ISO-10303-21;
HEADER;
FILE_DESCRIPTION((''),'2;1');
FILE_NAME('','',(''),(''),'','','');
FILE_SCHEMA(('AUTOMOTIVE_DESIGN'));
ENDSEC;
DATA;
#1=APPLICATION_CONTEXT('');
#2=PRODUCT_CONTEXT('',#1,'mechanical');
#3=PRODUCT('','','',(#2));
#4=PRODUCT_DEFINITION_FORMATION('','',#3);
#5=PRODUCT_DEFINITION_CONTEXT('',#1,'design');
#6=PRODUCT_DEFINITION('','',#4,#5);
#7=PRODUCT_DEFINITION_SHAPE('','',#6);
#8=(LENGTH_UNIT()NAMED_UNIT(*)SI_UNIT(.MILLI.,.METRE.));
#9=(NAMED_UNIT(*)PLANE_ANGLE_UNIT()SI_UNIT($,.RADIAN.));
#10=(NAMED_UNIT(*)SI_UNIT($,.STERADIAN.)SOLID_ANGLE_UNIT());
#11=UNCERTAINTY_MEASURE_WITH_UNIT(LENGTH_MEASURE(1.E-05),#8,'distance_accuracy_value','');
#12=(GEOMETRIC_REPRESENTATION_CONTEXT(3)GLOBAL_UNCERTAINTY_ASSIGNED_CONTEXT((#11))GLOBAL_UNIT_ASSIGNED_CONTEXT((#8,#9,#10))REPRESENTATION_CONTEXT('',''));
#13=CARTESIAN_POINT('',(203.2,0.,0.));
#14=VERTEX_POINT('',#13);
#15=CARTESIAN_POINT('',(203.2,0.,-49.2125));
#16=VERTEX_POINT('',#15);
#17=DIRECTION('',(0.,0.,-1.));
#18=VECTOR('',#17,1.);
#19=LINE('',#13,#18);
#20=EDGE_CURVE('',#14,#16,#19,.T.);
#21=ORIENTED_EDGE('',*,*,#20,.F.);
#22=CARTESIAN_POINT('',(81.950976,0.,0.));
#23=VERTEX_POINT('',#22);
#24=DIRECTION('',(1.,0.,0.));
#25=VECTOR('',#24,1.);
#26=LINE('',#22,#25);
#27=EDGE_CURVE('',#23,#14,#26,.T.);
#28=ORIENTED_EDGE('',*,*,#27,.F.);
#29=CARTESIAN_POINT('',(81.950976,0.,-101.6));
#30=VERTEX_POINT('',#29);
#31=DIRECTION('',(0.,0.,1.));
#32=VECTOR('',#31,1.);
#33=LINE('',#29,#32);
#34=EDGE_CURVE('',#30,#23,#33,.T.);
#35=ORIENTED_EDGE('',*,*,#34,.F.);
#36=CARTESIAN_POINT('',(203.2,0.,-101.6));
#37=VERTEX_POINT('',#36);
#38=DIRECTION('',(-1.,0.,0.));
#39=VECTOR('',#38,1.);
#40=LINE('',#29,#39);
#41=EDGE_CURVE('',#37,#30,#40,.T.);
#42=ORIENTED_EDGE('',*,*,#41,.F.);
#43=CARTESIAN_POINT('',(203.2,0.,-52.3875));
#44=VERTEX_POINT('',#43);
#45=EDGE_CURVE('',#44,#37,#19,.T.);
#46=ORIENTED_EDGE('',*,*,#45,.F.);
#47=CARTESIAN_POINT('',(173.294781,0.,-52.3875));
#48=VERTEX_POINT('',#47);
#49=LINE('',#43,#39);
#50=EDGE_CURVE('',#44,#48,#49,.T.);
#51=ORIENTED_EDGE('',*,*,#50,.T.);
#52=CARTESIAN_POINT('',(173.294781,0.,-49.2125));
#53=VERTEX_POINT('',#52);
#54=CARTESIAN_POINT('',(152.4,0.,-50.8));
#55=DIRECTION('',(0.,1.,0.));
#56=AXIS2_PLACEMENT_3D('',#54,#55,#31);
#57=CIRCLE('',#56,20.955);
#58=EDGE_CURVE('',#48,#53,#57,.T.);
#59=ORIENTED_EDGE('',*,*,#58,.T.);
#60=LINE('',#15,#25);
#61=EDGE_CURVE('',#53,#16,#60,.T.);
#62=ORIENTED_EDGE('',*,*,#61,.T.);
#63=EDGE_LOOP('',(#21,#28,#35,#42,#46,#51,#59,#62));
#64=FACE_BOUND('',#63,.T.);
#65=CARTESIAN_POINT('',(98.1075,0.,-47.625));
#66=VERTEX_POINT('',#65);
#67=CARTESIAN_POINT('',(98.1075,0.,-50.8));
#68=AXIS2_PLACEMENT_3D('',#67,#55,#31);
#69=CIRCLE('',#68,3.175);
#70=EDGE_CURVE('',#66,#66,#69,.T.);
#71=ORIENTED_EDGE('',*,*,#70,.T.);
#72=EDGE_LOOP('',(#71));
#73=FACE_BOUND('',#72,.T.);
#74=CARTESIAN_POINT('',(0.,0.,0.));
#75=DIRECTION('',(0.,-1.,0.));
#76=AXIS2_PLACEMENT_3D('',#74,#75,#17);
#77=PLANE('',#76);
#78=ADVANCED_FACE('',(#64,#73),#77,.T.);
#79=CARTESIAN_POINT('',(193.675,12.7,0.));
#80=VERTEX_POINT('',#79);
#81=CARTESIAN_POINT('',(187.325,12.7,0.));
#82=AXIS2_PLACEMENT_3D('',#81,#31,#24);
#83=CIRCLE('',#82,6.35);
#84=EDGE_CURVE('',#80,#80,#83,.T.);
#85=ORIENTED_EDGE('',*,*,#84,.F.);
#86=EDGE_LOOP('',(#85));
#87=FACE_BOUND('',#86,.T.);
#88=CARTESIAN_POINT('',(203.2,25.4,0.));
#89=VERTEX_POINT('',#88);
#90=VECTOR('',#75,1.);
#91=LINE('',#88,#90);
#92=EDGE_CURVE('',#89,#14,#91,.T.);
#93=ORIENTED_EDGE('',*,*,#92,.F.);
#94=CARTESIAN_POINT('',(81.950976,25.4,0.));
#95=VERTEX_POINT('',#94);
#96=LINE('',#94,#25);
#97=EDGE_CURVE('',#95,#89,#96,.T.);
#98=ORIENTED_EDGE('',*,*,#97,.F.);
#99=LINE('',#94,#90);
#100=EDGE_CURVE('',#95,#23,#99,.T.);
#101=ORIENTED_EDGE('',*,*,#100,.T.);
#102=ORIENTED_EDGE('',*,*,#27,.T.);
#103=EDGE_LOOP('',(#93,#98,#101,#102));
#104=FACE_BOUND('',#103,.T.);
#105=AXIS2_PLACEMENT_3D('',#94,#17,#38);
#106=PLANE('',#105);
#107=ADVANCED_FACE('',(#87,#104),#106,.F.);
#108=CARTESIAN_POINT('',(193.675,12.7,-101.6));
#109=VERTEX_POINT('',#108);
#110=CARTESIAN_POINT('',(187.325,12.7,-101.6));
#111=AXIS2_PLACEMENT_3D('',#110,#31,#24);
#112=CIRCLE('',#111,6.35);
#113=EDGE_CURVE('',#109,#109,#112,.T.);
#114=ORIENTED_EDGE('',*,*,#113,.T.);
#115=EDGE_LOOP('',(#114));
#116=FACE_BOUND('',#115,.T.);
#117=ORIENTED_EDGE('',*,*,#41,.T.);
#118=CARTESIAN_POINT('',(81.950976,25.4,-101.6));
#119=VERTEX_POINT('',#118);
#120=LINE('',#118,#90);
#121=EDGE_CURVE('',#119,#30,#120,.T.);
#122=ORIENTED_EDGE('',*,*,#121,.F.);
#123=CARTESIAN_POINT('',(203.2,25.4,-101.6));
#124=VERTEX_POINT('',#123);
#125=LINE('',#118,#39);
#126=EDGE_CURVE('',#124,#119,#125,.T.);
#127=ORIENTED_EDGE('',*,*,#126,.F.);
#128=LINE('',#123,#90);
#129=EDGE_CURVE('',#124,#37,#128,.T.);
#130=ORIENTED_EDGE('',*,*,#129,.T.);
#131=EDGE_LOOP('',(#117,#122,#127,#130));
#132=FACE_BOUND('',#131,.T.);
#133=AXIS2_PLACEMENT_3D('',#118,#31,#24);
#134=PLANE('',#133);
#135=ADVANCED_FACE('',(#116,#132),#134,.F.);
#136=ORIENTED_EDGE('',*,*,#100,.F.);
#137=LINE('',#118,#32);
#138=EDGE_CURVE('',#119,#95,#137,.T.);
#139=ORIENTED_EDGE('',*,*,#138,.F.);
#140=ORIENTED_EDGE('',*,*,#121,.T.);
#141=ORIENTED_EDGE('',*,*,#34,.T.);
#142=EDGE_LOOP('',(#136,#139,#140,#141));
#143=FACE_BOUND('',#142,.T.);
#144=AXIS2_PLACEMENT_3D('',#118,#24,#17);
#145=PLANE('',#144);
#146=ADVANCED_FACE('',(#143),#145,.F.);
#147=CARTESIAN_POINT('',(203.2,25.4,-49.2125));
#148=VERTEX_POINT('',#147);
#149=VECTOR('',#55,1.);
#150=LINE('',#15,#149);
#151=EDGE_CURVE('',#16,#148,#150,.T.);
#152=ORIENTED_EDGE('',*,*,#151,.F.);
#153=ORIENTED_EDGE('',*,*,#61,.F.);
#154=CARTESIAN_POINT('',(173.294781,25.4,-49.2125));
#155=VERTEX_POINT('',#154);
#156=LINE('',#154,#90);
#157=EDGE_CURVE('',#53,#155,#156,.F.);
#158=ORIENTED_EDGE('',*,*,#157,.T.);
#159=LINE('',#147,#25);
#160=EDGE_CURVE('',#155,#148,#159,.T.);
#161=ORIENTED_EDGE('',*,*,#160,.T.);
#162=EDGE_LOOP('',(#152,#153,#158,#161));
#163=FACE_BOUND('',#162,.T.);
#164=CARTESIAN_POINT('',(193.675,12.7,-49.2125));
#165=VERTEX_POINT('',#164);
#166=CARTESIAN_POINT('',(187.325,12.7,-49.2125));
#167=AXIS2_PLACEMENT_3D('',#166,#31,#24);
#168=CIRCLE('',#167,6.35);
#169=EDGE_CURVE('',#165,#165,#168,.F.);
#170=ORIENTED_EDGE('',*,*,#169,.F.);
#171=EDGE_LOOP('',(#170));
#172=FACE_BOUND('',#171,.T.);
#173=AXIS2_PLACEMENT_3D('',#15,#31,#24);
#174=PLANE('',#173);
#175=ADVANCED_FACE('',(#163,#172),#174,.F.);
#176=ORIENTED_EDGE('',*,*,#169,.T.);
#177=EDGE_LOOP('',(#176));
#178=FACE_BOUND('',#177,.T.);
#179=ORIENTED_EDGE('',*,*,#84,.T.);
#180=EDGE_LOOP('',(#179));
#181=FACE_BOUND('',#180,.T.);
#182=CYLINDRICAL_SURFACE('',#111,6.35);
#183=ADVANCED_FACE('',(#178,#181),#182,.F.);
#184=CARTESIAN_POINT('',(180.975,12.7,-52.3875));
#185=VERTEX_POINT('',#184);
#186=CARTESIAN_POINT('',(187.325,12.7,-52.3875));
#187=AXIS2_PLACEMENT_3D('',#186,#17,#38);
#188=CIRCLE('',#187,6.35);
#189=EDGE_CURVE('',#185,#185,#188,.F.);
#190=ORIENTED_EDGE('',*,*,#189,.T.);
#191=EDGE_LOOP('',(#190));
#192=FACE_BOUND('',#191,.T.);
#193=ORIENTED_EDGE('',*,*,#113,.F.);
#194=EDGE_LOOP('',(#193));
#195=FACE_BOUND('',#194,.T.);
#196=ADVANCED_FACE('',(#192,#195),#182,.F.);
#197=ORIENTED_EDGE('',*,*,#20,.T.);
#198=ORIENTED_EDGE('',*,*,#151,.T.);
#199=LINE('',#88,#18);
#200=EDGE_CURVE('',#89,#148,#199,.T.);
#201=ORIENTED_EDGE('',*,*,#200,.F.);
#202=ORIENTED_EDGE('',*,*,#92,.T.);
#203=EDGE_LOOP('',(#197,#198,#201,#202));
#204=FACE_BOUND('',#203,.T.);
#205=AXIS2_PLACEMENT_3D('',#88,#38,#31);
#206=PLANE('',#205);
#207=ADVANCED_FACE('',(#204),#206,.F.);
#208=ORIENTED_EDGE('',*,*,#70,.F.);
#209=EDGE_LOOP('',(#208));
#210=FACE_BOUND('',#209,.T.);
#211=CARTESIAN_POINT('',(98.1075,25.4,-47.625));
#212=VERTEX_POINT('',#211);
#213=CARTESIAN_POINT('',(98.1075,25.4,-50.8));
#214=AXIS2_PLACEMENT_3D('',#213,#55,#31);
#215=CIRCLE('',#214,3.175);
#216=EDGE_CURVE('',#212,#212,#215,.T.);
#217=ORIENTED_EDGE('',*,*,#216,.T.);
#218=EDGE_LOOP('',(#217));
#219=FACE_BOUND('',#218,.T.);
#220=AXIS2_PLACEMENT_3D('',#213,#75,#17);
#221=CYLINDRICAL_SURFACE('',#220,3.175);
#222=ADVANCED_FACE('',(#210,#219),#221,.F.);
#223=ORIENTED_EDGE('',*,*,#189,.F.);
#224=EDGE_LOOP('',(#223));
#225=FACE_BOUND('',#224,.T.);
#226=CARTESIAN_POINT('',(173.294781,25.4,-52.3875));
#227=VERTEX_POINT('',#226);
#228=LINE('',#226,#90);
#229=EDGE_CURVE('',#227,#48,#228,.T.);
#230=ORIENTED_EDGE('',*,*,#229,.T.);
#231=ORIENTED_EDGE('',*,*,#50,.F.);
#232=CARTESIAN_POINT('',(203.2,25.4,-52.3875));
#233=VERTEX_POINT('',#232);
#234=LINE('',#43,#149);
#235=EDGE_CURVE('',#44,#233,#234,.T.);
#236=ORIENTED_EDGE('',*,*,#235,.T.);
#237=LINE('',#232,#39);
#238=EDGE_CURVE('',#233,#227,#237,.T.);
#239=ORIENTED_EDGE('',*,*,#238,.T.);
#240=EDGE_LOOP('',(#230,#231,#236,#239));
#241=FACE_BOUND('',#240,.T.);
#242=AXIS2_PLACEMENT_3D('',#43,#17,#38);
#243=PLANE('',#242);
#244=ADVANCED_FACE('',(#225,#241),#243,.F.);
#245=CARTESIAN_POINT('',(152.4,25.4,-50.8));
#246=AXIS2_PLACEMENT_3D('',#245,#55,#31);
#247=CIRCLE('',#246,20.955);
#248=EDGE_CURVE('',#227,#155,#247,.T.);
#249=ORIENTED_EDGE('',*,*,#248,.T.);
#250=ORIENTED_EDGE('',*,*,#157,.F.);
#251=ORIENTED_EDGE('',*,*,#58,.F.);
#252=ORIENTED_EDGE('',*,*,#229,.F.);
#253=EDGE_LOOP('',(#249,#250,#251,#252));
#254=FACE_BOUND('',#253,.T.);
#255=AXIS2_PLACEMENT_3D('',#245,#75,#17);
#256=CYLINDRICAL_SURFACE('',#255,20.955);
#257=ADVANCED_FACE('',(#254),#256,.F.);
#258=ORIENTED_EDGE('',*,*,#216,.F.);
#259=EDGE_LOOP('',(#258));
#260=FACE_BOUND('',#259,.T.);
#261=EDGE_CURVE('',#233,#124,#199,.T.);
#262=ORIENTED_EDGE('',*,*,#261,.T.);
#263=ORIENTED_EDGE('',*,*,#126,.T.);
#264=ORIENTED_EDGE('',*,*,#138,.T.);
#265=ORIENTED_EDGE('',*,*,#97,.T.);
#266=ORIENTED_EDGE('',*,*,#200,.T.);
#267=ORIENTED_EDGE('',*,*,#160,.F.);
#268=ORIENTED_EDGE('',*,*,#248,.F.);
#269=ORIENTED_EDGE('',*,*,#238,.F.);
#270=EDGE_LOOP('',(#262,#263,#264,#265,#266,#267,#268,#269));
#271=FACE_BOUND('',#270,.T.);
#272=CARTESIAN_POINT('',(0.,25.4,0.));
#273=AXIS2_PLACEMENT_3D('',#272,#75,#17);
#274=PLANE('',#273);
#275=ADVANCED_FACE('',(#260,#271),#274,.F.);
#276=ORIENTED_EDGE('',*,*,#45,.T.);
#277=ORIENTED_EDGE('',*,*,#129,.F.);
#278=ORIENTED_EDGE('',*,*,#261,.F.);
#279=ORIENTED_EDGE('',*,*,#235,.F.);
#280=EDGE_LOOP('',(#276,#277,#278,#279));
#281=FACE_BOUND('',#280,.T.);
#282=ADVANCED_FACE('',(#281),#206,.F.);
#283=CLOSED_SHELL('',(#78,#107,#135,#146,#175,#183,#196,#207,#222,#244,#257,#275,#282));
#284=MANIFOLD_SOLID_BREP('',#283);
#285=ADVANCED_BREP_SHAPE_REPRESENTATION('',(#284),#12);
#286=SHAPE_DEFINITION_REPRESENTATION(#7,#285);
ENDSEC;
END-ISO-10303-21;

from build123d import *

# Parameters (mm, degrees)
SKETCH1_W           = 121.249023843
SKETCH1_H           = 101.6
SKETCH1_R           = 20.955
SKETCH1_R_2         = 3.175
BOSS_EXTRUDE1_DEPTH = 25.4
SKETCH2_R           = 6.35
CUT_EXTRUDE1_DEPTH  = 102.6
SKETCH3_W           = 31.554427073
SKETCH3_H           = 3.175
CUT_EXTRUDE2_DEPTH  = 26.4


with BuildPart() as part:
    # Sketch1 → Boss-Extrude1 (new body)
    with BuildSketch(Plane(origin=(0, 0, 0), x_dir=(1, 0, 0), z_dir=(0, 1, 0))):
        with Locations((142.575488079, 50.8)):
            Rectangle(SKETCH1_W, SKETCH1_H)
        with Locations((152.4, 50.8)):
            Circle(SKETCH1_R, mode=Mode.SUBTRACT)
        with Locations((98.1075, 50.8)):
            Circle(SKETCH1_R_2, mode=Mode.SUBTRACT)
    extrude(amount=BOSS_EXTRUDE1_DEPTH)

    # Sketch2 → Cut-Extrude1 (cut, through all)
    with BuildSketch(Plane.XY):
        with Locations((187.325, 12.7)):
            Circle(SKETCH2_R)
    extrude(amount=-CUT_EXTRUDE1_DEPTH, mode=Mode.SUBTRACT)

    # Sketch3 → Cut-Extrude2 (cut, through all)
    with BuildSketch(Plane(origin=(0, 25.4, 0), x_dir=(1, 0, 0), z_dir=(0, 1, 0))):
        with Locations((187.422786464, 50.8)):
            Rectangle(SKETCH3_W, SKETCH3_H)
    extrude(amount=-CUT_EXTRUDE2_DEPTH, mode=Mode.SUBTRACT)


solid = part.part
